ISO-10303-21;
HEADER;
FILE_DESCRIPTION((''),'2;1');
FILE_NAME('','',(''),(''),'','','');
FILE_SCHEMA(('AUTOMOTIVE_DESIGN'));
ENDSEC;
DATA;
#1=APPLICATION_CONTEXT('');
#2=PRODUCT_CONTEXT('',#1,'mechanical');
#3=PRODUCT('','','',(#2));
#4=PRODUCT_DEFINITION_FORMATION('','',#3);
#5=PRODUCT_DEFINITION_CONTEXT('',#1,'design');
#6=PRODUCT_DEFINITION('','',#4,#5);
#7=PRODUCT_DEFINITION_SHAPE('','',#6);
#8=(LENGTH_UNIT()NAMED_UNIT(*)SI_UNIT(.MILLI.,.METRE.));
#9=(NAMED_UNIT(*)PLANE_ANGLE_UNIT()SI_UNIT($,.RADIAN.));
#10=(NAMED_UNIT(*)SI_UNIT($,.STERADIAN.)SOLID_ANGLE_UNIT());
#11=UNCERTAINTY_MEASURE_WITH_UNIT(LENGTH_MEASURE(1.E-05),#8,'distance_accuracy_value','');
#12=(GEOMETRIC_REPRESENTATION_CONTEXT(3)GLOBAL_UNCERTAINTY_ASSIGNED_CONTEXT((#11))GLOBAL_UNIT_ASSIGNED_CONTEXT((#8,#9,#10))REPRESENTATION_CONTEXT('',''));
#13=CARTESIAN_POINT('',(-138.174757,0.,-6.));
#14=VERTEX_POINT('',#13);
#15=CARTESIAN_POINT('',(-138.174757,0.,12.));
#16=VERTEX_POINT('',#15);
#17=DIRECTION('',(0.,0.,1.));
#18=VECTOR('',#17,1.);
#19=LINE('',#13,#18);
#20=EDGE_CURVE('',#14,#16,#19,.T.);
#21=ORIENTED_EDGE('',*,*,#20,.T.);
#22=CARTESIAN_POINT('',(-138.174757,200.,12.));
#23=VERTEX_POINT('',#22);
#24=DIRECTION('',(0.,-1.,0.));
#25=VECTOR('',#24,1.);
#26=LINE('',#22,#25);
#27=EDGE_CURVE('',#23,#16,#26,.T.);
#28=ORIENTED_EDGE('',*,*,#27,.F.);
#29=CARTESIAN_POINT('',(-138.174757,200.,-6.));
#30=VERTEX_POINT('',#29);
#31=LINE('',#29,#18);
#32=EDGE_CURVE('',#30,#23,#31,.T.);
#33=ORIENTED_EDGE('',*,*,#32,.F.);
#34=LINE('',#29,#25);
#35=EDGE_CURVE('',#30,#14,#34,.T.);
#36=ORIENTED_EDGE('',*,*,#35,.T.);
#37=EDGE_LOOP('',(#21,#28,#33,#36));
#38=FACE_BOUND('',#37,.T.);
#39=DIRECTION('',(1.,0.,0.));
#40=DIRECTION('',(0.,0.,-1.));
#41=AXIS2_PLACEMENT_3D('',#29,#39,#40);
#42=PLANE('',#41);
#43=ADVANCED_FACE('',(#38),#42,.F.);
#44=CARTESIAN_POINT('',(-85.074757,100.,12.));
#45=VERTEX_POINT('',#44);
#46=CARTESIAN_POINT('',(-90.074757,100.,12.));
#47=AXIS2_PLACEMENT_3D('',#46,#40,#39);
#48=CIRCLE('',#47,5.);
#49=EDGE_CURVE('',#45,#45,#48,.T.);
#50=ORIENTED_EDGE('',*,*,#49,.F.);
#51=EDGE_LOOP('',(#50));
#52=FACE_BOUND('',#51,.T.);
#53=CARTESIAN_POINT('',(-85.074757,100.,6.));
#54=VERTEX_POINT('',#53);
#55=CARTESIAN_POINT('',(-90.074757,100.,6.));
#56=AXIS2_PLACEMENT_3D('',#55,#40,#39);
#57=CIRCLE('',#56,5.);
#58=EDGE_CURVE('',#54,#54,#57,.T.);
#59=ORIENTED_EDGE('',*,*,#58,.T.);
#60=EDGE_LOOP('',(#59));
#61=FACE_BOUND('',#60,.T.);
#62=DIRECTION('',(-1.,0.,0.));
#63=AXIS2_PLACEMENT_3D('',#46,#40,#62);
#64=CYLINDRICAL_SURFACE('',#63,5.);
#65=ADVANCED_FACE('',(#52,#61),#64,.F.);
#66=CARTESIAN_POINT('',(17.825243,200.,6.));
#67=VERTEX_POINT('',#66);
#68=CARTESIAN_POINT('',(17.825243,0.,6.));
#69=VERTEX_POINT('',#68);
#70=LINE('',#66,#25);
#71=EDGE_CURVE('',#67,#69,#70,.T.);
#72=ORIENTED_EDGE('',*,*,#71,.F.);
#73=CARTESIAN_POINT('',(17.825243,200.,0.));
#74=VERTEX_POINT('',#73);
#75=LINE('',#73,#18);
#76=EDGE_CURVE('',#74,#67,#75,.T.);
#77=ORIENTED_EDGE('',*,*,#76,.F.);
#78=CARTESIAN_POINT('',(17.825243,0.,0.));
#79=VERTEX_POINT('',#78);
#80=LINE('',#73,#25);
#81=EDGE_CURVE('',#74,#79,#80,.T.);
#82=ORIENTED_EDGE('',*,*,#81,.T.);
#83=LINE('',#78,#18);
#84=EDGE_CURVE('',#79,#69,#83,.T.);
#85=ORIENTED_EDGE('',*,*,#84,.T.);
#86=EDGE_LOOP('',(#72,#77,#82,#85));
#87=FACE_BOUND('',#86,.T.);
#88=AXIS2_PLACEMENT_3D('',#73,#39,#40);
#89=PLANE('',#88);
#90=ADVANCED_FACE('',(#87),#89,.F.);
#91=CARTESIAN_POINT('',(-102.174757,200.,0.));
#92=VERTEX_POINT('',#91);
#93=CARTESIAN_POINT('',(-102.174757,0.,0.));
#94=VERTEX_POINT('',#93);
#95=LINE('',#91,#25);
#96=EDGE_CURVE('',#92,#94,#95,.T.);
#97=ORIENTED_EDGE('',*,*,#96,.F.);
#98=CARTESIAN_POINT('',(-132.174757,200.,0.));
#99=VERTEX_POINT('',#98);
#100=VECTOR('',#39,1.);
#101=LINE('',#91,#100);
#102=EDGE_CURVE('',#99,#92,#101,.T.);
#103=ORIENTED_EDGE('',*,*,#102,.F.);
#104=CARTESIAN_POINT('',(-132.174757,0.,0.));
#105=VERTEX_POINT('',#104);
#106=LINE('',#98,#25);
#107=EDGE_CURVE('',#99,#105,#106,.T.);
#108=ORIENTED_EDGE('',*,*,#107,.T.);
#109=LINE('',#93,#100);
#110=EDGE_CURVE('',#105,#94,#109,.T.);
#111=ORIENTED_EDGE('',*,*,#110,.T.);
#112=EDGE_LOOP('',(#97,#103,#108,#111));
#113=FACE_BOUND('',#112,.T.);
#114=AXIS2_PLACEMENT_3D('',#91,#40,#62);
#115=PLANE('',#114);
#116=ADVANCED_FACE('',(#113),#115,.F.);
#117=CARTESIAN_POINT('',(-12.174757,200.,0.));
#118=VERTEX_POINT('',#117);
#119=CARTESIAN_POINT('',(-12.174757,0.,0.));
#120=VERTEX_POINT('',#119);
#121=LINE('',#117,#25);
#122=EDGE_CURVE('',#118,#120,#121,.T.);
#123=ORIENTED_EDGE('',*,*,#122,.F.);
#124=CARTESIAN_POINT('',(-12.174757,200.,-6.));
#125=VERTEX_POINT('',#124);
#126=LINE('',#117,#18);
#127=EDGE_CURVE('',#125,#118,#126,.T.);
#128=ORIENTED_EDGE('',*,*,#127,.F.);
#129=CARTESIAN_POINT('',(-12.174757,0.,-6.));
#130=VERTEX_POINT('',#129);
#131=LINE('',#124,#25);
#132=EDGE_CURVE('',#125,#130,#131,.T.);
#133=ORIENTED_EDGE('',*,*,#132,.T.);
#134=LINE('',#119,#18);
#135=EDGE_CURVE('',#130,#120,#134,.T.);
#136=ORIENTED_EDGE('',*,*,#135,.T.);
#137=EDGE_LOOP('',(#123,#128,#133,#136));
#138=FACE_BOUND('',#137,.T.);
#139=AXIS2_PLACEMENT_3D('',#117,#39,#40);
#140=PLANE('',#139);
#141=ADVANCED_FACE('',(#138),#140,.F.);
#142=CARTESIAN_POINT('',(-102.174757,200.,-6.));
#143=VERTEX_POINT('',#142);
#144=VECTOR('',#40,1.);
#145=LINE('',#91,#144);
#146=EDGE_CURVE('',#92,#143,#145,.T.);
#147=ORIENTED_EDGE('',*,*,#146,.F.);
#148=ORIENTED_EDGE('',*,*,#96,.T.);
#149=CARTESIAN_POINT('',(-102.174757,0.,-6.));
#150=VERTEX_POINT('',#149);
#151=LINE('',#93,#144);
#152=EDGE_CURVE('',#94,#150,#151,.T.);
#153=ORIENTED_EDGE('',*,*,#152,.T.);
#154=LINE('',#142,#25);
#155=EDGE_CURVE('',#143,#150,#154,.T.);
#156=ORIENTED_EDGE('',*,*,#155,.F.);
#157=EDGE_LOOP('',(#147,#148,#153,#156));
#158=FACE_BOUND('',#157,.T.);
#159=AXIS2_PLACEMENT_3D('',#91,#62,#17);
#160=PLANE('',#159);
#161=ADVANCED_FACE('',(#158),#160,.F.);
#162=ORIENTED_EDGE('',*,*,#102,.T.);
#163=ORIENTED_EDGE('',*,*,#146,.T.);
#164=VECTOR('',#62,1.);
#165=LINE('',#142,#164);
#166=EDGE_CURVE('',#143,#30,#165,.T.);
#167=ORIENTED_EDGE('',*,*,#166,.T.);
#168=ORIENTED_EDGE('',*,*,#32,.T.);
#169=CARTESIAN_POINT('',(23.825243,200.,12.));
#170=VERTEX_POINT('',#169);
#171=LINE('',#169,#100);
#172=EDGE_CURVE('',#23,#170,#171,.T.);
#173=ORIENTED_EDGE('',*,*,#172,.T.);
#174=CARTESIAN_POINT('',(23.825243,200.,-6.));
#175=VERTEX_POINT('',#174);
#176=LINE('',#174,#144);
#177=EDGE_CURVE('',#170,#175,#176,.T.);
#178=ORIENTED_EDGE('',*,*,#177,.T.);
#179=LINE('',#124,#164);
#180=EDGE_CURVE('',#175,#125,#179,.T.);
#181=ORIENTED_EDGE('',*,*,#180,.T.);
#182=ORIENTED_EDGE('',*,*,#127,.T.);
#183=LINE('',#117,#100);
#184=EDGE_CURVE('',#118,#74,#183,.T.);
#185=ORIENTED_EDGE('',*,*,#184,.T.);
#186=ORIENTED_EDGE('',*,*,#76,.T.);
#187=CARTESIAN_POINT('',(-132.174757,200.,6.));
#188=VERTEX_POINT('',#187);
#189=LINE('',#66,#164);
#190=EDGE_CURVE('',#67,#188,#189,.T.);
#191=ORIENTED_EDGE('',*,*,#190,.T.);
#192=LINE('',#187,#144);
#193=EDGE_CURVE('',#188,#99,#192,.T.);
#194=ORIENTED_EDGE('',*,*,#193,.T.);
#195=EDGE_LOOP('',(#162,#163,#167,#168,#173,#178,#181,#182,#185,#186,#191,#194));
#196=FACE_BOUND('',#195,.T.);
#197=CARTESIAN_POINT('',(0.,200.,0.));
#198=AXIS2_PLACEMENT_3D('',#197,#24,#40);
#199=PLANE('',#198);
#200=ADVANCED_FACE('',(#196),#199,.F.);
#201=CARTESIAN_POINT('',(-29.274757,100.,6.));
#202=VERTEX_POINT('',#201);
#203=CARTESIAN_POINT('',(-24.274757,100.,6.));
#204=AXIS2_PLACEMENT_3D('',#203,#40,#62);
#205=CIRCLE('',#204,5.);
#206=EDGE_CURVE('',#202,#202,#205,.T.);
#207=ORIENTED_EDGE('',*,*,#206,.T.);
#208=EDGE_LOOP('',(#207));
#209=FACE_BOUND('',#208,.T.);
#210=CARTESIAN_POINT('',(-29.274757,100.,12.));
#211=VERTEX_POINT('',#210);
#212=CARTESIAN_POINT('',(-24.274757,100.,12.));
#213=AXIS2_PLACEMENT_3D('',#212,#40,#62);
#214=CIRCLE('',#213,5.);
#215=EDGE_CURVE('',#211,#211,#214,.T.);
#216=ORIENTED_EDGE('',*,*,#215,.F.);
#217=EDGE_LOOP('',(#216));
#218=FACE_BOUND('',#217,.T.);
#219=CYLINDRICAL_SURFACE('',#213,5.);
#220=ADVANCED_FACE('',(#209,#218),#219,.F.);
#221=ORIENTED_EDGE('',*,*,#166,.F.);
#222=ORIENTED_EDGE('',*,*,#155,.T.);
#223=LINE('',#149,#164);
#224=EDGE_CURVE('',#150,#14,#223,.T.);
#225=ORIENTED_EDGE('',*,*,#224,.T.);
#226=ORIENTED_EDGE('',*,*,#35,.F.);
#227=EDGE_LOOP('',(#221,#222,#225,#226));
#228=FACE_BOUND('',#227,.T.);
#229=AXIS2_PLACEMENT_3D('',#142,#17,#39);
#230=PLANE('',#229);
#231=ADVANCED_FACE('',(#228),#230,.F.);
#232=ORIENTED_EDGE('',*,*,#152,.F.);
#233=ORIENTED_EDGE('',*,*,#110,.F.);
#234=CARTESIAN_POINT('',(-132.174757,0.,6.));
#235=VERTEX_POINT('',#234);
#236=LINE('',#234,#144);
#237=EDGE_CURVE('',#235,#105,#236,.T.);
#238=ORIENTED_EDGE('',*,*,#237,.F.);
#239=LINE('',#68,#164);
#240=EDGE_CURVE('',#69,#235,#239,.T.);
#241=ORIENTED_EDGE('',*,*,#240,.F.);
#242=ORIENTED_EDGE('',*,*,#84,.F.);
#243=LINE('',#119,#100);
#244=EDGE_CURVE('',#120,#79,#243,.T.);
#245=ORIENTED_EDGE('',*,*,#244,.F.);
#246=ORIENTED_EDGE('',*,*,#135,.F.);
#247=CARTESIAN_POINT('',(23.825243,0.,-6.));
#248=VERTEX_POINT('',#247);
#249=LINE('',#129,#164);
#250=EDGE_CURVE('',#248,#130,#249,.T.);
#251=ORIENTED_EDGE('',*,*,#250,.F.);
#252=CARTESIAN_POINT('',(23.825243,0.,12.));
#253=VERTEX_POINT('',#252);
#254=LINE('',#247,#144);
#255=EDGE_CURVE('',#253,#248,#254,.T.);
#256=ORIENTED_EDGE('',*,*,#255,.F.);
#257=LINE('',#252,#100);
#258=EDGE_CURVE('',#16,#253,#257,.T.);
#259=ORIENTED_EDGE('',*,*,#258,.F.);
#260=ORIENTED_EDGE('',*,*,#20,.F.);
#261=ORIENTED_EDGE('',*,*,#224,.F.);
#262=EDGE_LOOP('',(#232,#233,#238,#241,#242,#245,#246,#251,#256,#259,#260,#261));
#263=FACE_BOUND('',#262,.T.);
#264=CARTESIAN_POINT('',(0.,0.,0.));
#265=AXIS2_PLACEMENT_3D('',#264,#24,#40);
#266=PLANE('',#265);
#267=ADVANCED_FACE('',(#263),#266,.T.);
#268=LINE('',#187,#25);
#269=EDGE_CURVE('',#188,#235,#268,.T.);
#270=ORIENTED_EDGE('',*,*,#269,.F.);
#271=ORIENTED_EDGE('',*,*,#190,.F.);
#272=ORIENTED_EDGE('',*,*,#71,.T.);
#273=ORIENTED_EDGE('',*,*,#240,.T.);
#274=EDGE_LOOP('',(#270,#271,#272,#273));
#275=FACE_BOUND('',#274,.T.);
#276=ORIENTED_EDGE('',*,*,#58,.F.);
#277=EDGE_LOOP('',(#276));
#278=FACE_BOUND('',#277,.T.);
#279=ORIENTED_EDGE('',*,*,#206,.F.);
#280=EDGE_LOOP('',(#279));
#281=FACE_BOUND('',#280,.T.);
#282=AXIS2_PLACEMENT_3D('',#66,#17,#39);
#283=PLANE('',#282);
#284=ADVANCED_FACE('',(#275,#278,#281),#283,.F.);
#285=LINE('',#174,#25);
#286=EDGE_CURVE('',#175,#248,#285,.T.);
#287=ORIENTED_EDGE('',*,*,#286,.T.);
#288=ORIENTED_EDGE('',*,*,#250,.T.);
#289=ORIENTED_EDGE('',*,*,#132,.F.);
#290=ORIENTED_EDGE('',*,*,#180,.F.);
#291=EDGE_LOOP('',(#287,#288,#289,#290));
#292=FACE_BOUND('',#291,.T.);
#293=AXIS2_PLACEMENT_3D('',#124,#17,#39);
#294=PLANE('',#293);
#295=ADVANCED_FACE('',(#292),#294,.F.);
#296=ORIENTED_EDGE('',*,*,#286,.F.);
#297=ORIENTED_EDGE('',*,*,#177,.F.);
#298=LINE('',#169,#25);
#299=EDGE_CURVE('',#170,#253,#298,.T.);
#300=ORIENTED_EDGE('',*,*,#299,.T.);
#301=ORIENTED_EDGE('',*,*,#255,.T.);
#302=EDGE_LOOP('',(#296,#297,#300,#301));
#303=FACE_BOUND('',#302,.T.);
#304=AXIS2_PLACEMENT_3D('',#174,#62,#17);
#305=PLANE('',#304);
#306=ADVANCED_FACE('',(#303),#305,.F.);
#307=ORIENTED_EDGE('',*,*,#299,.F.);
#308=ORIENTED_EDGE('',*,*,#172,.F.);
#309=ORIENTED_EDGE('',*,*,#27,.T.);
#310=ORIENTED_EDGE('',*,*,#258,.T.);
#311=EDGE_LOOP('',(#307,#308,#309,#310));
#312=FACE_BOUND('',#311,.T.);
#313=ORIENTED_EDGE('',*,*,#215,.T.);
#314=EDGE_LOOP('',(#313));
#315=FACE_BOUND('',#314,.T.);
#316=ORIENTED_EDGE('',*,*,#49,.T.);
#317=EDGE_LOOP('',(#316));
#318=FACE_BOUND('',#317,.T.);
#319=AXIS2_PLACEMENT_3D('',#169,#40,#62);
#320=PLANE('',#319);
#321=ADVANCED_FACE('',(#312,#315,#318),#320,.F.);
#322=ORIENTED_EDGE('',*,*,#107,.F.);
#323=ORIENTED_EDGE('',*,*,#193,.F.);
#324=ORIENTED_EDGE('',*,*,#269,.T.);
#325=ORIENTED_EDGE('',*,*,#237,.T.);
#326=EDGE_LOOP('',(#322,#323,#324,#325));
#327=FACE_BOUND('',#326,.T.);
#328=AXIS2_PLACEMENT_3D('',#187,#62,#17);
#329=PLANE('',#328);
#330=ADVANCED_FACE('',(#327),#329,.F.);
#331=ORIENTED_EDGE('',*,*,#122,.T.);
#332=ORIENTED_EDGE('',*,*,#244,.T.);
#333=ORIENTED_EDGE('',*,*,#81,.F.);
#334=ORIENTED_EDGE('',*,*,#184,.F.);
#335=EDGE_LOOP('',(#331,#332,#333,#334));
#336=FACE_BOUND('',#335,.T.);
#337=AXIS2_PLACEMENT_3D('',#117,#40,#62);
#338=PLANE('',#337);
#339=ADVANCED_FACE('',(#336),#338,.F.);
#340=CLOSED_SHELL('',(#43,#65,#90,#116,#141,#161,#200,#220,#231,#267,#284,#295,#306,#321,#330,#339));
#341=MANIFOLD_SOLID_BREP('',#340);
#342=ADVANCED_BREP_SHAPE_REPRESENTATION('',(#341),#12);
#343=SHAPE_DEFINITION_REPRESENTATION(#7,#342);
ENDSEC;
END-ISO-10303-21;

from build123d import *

# Parameters (mm, degrees)
BOSS_EXTRUDE1_DEPTH = 200
SKETCH2_R           = 5
CUT_EXTRUDE1_DEPTH  = 244.385010939


with BuildPart() as part:
    # Sketch1 → Boss-Extrude1 (new body)
    with BuildSketch(Plane(origin=(0, 0, 0), x_dir=(1, 0, 0), z_dir=(0, 1, 0))):
        Polygon((-12.174757282, 0), (17.825242718, 0), (17.825242718, -6), (-132.174757282, -6), (-132.174757282, 0), (-102.174757282, 0), (-102.174757282, 6), (-138.174757282, 6), (-138.174757282, -12), (23.825242718, -12), (23.825242718, 6), (-12.174757282, 6), align=None)
    extrude(amount=BOSS_EXTRUDE1_DEPTH)

    # Sketch2 → Cut-Extrude1 (cut, through all)
    with BuildSketch(Plane(origin=(0, 0, 6), x_dir=(-1, 0, 0), z_dir=(0, 0, -1))):
        with Locations((24.274757282, 100)):
            Circle(SKETCH2_R)
        with Locations(Location((90.074757282, 100, 0), (0, 0, 180))):
            Circle(SKETCH2_R)
    extrude(amount=-CUT_EXTRUDE1_DEPTH, mode=Mode.SUBTRACT)


solid = part.part
